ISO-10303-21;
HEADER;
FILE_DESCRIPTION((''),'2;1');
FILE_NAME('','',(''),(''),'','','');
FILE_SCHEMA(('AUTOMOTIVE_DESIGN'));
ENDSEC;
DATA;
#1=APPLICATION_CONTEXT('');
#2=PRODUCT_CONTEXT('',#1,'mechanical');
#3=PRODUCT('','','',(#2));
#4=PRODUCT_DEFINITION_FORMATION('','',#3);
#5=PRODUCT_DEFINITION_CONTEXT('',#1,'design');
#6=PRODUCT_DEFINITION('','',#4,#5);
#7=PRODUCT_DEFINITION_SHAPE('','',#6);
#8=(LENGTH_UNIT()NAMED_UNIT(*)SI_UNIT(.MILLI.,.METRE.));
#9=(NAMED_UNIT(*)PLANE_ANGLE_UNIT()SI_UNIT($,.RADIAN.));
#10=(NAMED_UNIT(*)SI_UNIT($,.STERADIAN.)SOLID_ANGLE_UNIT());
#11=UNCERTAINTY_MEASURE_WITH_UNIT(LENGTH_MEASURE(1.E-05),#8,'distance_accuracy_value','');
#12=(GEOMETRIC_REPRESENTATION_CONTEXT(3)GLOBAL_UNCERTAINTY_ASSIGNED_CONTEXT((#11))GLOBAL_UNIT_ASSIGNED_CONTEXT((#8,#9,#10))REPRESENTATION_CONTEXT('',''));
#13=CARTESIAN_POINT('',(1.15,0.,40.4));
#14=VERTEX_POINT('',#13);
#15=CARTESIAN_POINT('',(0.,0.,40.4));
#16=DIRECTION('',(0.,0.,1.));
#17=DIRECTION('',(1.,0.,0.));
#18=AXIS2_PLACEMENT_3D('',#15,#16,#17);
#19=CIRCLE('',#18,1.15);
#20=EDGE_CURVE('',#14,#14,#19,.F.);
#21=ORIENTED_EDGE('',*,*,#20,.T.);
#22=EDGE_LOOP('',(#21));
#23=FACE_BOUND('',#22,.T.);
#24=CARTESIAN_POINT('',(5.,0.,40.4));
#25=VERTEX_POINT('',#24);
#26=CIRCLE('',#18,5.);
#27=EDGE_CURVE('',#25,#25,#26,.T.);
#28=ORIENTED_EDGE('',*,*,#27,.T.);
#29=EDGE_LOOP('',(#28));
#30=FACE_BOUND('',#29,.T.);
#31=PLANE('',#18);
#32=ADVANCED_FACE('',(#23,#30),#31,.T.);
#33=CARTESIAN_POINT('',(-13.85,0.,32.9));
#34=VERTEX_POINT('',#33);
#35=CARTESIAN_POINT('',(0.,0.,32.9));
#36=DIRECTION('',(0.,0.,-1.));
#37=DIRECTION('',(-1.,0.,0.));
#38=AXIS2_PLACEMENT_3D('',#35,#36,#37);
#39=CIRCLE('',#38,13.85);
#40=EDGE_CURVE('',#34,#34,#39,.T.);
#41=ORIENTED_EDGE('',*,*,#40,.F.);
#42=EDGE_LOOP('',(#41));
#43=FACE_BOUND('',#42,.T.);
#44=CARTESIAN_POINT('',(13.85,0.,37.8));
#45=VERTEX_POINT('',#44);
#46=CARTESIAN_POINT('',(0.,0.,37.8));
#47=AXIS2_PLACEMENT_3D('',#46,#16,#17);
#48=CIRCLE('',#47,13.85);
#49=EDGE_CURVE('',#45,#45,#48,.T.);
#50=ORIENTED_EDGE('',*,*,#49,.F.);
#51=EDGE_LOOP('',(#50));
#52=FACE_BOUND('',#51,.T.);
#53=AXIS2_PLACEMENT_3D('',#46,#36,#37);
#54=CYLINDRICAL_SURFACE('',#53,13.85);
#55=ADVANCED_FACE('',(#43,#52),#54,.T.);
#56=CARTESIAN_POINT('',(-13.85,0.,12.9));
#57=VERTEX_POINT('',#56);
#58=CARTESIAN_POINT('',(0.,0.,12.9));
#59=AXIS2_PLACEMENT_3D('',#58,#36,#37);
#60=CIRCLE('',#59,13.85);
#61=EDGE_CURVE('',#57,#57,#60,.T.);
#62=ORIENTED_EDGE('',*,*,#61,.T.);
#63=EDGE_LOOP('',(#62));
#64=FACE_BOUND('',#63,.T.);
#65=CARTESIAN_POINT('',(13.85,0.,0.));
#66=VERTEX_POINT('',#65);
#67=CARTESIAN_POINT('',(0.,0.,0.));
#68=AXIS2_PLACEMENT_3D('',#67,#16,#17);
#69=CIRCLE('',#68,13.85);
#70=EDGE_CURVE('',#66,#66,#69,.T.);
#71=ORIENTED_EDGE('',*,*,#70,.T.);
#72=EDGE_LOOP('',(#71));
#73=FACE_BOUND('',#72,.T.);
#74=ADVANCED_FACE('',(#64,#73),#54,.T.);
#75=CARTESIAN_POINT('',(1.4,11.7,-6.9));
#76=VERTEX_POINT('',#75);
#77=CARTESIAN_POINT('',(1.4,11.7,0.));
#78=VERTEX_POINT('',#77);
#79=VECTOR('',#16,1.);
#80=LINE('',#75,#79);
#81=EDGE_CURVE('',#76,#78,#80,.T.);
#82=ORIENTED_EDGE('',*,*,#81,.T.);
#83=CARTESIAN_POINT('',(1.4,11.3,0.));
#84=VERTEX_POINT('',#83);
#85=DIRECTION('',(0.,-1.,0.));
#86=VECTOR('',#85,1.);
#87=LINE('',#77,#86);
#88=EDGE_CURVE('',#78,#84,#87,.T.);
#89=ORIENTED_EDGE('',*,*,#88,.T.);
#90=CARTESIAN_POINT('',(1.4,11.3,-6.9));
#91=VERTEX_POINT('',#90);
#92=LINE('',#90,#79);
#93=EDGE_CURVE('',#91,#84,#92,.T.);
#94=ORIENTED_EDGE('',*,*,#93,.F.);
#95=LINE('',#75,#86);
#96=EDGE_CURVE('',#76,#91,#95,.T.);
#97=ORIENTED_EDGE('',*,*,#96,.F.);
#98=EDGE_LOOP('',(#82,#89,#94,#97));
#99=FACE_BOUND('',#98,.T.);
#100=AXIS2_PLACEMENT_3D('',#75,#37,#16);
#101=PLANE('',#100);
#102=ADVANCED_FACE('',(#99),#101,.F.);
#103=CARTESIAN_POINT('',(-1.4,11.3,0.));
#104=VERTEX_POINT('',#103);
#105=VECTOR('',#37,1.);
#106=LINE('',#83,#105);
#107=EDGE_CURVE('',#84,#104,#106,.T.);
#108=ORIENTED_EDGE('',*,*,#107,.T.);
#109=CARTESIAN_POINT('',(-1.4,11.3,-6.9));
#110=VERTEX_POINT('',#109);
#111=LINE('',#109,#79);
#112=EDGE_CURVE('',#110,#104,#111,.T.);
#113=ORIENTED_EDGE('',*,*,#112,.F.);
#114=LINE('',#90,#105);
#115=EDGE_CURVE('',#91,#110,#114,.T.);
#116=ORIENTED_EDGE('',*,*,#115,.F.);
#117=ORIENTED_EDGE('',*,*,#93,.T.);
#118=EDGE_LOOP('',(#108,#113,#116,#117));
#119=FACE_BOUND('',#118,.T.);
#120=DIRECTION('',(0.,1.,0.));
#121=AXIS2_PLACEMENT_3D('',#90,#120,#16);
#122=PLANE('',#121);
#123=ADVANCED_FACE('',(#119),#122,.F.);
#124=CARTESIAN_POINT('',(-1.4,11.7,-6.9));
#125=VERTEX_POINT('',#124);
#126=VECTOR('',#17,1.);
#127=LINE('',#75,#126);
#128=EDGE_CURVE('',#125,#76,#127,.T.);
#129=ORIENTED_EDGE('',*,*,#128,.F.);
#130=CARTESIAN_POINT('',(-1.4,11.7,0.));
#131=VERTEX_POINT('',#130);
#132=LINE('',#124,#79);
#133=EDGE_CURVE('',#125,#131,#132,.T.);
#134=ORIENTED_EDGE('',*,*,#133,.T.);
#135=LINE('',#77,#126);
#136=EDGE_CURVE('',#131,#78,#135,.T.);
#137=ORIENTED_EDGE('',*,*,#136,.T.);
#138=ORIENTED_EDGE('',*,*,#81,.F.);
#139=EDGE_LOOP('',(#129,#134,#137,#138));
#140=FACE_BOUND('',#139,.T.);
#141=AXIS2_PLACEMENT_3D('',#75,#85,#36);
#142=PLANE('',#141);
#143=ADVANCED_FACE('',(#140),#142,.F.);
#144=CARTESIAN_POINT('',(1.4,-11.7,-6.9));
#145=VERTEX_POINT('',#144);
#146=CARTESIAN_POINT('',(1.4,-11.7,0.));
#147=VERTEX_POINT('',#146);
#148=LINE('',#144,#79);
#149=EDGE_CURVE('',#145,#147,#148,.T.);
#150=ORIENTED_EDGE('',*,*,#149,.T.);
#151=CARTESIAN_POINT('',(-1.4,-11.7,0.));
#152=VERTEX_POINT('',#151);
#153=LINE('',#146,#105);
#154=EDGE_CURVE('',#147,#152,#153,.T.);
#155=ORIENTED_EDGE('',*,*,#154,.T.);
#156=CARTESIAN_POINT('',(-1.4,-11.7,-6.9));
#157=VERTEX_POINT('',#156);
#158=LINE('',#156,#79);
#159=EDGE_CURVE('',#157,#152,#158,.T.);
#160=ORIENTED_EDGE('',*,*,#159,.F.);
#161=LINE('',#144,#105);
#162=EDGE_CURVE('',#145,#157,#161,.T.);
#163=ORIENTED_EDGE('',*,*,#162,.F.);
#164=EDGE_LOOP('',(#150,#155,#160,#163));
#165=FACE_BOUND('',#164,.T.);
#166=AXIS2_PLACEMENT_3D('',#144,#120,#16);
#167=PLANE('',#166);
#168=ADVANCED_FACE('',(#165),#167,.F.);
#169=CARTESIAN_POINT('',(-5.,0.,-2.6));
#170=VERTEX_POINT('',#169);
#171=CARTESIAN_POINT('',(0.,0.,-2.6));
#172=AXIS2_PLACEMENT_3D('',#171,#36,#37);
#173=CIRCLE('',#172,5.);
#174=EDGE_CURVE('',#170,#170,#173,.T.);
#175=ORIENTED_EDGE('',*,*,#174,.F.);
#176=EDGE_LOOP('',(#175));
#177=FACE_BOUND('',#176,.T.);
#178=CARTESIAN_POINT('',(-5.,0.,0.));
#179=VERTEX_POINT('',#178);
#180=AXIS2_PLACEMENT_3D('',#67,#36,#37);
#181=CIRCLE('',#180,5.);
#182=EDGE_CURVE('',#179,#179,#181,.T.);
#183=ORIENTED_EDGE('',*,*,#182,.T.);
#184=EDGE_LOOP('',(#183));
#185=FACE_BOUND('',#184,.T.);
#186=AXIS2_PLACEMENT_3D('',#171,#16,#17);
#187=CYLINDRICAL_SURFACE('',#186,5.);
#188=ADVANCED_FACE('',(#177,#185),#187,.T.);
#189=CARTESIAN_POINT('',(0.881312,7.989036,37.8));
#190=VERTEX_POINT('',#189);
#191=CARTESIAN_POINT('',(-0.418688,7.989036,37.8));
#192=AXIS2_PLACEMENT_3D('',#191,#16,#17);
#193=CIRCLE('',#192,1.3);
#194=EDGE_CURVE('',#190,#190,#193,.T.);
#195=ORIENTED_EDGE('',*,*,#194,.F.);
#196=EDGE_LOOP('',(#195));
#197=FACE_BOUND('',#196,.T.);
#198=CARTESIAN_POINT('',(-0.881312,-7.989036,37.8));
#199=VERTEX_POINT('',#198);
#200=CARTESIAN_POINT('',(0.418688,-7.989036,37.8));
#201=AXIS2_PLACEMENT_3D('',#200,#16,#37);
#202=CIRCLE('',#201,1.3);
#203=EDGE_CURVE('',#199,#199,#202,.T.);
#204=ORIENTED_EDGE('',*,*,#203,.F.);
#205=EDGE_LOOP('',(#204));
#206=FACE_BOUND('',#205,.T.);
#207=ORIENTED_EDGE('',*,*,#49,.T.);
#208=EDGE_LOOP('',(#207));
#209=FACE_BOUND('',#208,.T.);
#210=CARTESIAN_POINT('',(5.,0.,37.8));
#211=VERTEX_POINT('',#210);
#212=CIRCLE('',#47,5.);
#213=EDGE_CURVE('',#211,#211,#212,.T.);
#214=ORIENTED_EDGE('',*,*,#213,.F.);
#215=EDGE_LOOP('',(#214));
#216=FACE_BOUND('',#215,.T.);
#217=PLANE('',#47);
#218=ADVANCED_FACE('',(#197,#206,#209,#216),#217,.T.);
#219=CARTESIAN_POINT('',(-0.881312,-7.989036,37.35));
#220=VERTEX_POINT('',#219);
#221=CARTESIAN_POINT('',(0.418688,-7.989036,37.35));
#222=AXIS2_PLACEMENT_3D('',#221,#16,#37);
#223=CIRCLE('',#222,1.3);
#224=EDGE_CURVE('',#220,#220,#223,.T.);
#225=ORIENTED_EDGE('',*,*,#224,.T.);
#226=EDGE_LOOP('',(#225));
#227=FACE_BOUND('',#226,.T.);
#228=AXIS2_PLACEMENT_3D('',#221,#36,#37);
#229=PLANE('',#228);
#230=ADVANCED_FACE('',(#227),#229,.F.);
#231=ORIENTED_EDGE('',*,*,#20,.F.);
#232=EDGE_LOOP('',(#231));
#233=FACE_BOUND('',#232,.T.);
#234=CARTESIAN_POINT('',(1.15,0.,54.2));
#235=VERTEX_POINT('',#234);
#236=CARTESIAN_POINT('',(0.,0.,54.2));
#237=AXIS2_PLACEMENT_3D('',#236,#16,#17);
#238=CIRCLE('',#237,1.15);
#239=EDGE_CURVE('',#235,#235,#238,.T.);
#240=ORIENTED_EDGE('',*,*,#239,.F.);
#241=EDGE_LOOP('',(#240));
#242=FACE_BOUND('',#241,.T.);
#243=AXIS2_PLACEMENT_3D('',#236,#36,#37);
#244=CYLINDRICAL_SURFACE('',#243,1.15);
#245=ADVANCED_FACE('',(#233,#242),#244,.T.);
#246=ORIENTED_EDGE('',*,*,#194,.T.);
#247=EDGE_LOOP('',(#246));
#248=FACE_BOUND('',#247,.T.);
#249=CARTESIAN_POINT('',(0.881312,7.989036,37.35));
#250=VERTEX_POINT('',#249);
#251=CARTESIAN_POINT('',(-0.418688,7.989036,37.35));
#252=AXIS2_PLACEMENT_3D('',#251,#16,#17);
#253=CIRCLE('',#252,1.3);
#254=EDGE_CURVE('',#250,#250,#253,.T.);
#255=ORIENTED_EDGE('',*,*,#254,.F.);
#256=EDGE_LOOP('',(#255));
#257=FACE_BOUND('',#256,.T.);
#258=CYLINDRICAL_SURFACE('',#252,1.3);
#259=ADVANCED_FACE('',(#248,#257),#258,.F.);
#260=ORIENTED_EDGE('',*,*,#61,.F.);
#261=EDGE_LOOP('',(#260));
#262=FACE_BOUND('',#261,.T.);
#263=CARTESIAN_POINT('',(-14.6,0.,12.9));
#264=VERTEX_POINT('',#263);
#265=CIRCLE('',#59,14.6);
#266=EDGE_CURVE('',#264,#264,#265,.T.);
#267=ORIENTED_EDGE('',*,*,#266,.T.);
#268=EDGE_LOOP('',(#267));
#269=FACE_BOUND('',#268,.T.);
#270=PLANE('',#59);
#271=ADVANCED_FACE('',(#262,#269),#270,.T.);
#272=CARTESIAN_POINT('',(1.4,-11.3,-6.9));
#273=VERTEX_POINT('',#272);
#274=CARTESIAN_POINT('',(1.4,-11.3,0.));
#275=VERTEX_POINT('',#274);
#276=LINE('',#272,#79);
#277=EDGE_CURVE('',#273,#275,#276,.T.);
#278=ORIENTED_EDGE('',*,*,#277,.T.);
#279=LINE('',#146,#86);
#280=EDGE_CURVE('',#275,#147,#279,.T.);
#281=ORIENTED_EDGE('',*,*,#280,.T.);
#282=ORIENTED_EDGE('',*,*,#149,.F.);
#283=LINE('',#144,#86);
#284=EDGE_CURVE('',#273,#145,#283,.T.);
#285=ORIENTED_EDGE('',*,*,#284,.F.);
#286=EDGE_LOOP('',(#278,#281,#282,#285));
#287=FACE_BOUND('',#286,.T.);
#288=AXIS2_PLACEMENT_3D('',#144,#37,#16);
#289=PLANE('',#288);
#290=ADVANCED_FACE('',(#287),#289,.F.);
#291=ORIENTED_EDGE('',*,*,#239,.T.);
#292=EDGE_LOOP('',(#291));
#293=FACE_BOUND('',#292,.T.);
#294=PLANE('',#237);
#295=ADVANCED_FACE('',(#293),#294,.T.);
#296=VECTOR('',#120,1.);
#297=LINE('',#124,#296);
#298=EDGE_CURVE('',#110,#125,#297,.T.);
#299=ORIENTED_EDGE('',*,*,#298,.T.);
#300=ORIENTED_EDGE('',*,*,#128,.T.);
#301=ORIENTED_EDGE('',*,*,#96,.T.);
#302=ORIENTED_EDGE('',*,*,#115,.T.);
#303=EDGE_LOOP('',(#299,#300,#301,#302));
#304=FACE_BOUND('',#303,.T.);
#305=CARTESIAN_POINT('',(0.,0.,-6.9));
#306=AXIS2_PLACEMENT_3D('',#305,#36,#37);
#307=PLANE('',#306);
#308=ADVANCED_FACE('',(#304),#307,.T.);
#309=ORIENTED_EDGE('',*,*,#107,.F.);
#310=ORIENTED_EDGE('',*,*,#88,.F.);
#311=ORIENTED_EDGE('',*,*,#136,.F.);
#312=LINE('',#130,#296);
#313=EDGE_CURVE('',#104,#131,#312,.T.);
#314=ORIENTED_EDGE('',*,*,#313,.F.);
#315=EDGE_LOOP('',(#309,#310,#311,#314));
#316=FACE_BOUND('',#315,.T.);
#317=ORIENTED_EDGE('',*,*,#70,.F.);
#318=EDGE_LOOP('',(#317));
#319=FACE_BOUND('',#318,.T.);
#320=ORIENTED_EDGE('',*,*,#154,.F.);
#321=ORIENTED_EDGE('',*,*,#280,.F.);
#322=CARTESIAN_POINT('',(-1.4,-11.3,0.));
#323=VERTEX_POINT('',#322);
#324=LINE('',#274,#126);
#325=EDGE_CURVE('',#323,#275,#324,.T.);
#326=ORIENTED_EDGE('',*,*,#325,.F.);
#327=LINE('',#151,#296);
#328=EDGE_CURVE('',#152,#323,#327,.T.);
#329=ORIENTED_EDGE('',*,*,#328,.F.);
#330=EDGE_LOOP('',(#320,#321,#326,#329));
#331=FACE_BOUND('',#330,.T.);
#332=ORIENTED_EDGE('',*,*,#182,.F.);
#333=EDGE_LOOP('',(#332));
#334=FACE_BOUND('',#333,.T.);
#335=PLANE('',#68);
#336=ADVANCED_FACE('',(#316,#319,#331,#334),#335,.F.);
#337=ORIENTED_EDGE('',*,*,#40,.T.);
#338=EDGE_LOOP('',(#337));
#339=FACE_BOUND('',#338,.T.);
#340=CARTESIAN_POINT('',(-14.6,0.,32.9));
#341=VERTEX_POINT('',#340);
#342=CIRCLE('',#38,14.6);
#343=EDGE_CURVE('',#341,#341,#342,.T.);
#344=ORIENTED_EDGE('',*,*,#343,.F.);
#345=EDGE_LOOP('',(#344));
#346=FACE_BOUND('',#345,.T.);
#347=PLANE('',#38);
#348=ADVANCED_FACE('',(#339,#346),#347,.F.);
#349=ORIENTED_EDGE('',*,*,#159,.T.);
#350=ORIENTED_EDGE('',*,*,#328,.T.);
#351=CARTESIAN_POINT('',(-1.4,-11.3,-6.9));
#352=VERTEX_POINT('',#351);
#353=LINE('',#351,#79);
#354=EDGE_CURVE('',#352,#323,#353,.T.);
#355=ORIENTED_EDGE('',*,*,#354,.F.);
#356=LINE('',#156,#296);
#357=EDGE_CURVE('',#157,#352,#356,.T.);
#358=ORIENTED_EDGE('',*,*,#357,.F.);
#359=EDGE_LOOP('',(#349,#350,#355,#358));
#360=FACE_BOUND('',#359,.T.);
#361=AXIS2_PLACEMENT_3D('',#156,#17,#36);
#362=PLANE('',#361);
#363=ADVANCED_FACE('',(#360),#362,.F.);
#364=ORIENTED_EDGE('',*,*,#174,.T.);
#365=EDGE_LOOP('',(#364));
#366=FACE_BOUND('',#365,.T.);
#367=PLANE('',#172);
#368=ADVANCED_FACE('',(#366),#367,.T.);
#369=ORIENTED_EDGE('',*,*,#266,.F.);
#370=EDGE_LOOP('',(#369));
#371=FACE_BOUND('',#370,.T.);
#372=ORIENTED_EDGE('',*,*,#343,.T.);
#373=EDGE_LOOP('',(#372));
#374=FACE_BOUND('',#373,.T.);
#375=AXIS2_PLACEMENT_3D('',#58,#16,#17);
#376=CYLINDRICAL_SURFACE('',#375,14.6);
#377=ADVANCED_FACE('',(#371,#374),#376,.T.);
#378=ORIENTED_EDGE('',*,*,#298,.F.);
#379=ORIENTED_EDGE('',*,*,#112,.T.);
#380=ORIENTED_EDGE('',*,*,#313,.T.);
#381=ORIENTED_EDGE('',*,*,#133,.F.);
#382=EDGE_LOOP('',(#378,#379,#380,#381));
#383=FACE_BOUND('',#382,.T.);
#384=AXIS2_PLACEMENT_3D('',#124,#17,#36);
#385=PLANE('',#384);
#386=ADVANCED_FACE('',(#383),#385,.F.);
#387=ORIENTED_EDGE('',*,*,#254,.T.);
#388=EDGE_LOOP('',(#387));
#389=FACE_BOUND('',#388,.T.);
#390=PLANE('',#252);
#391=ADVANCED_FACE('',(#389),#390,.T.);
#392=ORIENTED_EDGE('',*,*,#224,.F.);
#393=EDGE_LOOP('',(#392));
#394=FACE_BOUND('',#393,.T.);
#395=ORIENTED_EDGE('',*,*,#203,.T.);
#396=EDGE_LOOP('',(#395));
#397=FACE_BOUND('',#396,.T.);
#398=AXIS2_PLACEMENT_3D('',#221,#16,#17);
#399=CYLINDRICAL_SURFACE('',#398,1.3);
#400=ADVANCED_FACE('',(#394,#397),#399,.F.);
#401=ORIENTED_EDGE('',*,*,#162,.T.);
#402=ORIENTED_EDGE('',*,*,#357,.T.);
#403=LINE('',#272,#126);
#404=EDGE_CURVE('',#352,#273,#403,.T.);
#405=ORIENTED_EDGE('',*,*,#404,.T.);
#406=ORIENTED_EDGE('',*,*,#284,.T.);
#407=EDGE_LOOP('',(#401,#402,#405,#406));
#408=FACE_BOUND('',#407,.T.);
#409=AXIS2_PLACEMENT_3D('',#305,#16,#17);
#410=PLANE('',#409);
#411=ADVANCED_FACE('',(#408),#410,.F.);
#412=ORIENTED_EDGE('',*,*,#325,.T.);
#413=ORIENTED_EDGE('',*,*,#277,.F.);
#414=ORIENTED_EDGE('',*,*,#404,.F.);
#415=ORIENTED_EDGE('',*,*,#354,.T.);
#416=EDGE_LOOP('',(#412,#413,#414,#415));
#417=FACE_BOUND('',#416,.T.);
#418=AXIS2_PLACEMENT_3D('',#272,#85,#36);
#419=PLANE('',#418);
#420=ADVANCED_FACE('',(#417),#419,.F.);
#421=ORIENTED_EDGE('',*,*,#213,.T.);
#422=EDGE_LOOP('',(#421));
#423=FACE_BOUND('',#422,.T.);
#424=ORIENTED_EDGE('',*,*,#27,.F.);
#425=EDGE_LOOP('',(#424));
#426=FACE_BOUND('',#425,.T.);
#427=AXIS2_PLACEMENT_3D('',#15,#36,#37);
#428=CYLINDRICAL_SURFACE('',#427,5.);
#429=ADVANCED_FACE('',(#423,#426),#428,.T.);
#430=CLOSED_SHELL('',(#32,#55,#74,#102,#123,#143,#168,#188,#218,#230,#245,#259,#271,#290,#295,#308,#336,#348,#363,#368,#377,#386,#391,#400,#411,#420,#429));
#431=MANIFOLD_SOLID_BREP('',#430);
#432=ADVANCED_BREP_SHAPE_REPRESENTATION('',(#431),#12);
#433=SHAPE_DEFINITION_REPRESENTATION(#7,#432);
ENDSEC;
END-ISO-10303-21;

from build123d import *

# Parameters (mm, degrees)
SKETCH_1_R          = 13.85
EXTRUDE_1_DEPTH     = 37.8
SKETCH_2_R          = 5
EXTRUDE_2_DEPTH     = 2.6
EXTRUDE_START       = -2.6
SKETCH_3_R          = 1.15
EXTRUDE_3_DEPTH     = 16.4
EXTRUDE_START_2     = -32.9
SKETCH_4_R          = 14.6
EXTRUDE_4_DEPTH     = 20
EXTRUDE_START_3     = 2.6
SKETCH_5_R          = 5
EXTRUDE_5_DEPTH     = 2.6
SKETCH_6_W          = 2.8
SKETCH_6_H          = 0.4
EXTRUDE_6_DEPTH     = 6.9
SKETCH_7_R          = 1.3
CUT_EXTRUDE_1_DEPTH = 0.45


with BuildPart() as part:
    # ｽｹｯﾁ1 → ﾎﾞｽ - 押し出し1 (new body)
    with BuildSketch(Plane.XY):
        Circle(SKETCH_1_R)
    extrude(amount=EXTRUDE_1_DEPTH)

    # ｽｹｯﾁ2 → ﾎﾞｽ - 押し出し2 (add)
    with BuildSketch(Plane.XY.offset(37.8)):
        Circle(SKETCH_2_R)
    extrude(amount=EXTRUDE_2_DEPTH)

    # ｽｹｯﾁ3 → ﾎﾞｽ - 押し出し3 (add)
    with BuildSketch(Plane.XY.offset(40.4).offset(EXTRUDE_START)):
        Circle(SKETCH_3_R)
    extrude(amount=EXTRUDE_3_DEPTH)

    # ｽｹｯﾁ4 → ﾎﾞｽ - 押し出し4 (add)
    with BuildSketch(Plane(origin=(0, 0, 0), x_dir=(-1, 0, 0), z_dir=(0, 0, -1)).offset(EXTRUDE_START_2)):
        Circle(SKETCH_4_R)
    extrude(amount=EXTRUDE_4_DEPTH)

    # ｽｹｯﾁ5 → ﾎﾞｽ - 押し出し5 (add)
    with BuildSketch(Plane(origin=(0, 0, 0), x_dir=(-1, 0, 0), z_dir=(0, 0, -1)).offset(EXTRUDE_START_3)):
        with Locations(Location((0, 0, 0), (0, 0, 180))):
            Circle(SKETCH_5_R)
    extrude(amount=-EXTRUDE_5_DEPTH)

    # ｽｹｯﾁ6 → ﾎﾞｽ - 押し出し6 (add)
    with BuildSketch(Plane(origin=(0, 0, 0), x_dir=(-1, 0, 0), z_dir=(0, 0, -1))):
        with Locations((0, 11.5)):
            Rectangle(SKETCH_6_W, SKETCH_6_H)
        with Locations((0, -11.5)):
            Rectangle(SKETCH_6_W, SKETCH_6_H)
    extrude(amount=EXTRUDE_6_DEPTH)

    # ｽｹｯﾁ7 → ｶｯﾄ - 押し出し1 (cut)
    with BuildSketch(Plane.XY.offset(37.8)):
        with Locations((-0.41868765, 7.989036278)):
            Circle(SKETCH_7_R)
        with Locations(Location((0.41868765, -7.989036278, 0), (0, 0, 180))):
            Circle(SKETCH_7_R)
    extrude(amount=-CUT_EXTRUDE_1_DEPTH, mode=Mode.SUBTRACT)


solid = part.part
